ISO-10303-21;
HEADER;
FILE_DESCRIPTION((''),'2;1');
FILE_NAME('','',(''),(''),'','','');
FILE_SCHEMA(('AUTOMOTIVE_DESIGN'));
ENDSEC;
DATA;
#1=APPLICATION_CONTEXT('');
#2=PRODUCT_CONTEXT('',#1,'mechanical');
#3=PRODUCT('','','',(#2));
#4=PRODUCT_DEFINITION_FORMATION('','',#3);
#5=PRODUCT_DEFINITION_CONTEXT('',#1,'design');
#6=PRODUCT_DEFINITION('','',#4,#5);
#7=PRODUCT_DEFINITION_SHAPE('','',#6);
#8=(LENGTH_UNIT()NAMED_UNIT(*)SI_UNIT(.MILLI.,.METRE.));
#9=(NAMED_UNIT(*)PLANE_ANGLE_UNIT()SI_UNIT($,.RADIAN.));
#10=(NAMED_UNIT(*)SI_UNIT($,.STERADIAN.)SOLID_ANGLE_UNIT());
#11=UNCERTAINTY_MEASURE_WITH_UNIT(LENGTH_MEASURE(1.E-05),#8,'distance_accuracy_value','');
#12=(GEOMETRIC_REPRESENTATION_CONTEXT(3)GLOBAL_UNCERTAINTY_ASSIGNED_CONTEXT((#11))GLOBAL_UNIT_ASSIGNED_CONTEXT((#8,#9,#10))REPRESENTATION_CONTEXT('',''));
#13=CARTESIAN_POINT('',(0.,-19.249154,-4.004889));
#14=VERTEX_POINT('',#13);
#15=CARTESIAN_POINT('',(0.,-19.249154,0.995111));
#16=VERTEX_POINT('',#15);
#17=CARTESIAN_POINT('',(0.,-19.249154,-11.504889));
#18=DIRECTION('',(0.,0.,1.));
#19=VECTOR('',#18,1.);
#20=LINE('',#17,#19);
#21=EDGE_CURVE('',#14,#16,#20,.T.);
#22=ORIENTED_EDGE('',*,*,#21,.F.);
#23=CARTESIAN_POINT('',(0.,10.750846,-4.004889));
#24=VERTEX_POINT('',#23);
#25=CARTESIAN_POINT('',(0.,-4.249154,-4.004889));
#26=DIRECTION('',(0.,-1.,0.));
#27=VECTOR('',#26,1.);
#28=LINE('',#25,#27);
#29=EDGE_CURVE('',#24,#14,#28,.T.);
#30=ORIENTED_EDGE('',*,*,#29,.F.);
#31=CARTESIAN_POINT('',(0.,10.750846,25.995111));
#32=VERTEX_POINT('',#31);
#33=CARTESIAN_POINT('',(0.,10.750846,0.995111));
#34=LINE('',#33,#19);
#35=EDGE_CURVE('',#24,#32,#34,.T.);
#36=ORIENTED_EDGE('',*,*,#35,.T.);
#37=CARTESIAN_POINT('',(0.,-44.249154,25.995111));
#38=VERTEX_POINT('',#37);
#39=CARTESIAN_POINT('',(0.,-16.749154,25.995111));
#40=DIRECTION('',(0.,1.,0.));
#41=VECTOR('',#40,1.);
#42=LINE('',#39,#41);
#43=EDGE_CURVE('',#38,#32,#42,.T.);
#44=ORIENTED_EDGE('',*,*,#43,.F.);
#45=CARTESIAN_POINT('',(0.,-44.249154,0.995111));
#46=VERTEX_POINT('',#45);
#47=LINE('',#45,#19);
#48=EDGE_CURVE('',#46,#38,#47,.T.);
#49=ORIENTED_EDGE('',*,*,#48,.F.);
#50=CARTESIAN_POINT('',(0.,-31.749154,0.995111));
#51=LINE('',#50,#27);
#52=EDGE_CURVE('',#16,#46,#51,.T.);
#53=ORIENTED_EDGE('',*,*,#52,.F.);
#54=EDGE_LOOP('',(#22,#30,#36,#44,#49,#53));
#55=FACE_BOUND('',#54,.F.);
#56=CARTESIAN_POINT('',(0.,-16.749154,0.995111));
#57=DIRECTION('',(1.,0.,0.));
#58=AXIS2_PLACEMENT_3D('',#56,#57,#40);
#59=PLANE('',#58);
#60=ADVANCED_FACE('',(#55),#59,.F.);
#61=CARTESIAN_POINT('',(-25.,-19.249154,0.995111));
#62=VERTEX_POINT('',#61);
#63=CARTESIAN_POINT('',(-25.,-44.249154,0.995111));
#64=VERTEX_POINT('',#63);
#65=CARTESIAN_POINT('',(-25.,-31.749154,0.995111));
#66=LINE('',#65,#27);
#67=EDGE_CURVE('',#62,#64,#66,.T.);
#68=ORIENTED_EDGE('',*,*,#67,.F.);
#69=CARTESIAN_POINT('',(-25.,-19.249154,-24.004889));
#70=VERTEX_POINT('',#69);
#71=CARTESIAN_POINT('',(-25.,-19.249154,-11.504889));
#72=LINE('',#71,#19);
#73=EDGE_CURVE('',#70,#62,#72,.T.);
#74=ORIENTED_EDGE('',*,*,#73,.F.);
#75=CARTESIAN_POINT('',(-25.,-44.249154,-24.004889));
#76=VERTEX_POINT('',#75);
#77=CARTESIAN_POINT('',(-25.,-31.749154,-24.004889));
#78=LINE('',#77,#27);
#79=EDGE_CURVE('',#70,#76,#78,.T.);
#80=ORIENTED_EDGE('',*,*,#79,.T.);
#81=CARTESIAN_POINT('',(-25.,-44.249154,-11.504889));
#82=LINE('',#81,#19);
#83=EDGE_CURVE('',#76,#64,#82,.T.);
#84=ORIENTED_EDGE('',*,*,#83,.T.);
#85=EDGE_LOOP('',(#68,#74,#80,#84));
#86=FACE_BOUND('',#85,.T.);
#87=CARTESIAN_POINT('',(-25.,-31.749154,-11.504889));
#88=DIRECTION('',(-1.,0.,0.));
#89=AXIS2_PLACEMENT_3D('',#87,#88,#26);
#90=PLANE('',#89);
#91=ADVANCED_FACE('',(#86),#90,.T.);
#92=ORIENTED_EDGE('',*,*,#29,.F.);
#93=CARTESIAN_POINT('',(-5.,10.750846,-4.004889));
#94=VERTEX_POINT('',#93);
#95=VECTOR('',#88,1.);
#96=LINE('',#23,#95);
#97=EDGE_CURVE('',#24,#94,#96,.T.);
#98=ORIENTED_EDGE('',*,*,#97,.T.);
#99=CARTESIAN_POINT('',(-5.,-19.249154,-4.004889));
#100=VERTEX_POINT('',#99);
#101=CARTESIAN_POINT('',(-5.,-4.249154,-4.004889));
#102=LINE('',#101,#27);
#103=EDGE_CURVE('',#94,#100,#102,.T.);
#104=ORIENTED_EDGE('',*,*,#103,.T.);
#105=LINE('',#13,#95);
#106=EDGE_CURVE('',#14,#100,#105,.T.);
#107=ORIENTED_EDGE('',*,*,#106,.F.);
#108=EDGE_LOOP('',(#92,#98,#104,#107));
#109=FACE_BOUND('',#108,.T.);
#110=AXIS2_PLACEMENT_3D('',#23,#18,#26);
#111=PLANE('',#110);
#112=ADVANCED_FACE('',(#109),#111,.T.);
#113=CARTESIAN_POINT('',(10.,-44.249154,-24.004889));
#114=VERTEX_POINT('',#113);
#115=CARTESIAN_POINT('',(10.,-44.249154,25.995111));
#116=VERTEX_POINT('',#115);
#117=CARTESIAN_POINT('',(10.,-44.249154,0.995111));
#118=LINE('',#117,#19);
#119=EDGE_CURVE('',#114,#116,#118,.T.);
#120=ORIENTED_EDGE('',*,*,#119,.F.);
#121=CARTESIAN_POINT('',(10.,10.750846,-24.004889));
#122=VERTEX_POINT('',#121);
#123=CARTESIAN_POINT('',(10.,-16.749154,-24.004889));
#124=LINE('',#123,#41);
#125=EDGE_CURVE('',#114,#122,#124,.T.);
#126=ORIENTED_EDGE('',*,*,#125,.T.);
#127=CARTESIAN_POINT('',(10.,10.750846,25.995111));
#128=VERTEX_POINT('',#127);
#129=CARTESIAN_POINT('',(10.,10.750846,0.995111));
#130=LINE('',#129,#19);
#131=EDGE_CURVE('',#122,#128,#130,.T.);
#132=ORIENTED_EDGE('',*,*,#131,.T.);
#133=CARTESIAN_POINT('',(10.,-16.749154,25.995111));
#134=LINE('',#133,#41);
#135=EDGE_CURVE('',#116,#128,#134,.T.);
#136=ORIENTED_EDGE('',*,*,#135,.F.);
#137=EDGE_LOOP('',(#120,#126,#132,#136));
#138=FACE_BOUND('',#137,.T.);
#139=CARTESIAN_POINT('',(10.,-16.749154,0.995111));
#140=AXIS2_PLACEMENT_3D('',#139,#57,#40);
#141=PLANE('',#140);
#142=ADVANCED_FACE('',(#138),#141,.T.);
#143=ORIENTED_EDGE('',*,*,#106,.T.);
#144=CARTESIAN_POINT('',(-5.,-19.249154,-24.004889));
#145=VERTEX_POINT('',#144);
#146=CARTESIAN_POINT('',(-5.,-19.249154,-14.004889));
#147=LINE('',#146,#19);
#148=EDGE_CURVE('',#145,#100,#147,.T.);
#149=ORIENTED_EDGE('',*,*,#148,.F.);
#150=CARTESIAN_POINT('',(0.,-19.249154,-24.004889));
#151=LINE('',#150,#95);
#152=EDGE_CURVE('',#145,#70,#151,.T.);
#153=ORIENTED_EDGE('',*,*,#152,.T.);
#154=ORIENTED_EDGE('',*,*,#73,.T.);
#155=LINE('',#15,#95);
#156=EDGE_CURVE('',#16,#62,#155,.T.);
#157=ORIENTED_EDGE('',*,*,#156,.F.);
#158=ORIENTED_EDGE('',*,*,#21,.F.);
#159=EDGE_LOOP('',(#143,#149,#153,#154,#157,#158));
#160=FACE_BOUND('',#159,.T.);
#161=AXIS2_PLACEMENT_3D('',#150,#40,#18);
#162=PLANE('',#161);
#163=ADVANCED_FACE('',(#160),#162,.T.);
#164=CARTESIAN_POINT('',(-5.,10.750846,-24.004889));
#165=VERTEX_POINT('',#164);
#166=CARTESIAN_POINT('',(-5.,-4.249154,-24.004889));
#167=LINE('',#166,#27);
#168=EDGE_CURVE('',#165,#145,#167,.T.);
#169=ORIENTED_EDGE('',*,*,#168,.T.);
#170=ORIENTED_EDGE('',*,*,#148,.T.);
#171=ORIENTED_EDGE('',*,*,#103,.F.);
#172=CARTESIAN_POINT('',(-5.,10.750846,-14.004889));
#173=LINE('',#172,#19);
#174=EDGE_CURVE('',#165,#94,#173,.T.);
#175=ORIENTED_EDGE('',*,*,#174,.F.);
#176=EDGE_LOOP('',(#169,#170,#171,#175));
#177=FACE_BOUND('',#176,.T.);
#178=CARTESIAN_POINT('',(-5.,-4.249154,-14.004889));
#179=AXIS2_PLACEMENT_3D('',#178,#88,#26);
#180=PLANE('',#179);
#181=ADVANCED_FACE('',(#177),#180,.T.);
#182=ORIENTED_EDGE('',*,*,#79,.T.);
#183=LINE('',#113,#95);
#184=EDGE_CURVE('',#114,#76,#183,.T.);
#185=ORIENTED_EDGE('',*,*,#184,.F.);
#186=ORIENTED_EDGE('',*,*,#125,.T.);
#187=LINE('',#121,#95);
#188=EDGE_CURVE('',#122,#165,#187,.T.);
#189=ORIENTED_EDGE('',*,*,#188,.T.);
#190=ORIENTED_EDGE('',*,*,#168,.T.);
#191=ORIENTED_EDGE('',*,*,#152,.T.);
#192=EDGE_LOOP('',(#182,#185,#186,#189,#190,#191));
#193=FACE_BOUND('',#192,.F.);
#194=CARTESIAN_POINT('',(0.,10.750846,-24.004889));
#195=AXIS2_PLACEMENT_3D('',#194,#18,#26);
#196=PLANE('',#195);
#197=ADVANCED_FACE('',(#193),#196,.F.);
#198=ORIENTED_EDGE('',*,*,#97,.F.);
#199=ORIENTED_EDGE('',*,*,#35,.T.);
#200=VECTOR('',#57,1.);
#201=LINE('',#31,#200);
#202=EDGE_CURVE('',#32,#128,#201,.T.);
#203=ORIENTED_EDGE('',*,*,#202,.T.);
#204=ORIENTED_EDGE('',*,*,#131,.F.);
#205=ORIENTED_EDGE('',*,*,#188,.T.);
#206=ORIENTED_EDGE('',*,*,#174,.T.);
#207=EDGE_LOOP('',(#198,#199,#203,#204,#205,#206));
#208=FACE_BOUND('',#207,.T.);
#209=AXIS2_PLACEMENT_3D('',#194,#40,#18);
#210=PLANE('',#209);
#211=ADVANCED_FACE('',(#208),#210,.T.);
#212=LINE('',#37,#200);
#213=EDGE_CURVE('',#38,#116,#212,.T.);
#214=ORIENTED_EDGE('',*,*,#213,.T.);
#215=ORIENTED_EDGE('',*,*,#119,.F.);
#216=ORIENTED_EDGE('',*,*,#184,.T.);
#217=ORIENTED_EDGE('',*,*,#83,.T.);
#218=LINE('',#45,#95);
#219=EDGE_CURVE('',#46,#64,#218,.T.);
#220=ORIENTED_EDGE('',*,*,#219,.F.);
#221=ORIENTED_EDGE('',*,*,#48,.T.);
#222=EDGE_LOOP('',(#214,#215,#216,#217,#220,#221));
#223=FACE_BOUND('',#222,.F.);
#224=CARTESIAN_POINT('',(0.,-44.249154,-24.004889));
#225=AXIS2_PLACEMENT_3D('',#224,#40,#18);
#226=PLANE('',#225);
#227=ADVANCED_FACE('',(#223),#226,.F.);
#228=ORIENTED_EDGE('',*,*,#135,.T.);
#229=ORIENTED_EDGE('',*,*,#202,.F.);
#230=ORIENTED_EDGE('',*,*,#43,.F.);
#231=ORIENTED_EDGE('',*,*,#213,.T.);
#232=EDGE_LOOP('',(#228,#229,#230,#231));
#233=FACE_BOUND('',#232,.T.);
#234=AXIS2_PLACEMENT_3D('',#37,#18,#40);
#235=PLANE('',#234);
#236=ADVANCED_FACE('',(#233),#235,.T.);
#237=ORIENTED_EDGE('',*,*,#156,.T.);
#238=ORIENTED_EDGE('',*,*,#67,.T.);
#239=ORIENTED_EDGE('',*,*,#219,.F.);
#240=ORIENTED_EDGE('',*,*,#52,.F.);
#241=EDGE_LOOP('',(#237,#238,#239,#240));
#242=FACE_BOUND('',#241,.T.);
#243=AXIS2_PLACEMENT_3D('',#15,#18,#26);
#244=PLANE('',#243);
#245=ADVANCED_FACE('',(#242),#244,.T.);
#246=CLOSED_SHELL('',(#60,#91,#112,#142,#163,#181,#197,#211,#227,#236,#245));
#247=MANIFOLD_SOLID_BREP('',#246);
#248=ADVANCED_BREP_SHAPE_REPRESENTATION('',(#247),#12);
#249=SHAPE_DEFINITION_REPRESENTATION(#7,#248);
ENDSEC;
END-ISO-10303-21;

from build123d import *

# Parameters (mm, degrees)
F0_W     = 55
F0_H     = 50
F1_DEPTH = 10
F2_W     = 25
F2_H     = 25
F3_DEPTH = 25
F4_W     = 30
F4_H     = 20
F5_DEPTH = 5


with BuildPart() as f1:
    # F0 (on Right) → F1 (new body)
    with BuildSketch(Plane.YZ):
        with Locations((-16.749154, 0.995111)):
            Rectangle(F0_W, F0_H)
    extrude(amount=F1_DEPTH)

    # F2 (on face) → F3 (join)
    with BuildSketch(Plane(origin=(0, 0, 0), x_dir=(0, -1, 0), z_dir=(-1, 0, 0))):
        with Locations((31.749154, -11.504889)):
            Rectangle(F2_W, F2_H)
    extrude(amount=F3_DEPTH)

    # F4 (on face) → F5 (join)
    with BuildSketch(Plane(origin=(0, 0, 0), x_dir=(0, -1, 0), z_dir=(-1, 0, 0))):
        with Locations((4.249154, -14.004889)):
            Rectangle(F4_W, F4_H)
    extrude(amount=F5_DEPTH)


solid = f1.part
